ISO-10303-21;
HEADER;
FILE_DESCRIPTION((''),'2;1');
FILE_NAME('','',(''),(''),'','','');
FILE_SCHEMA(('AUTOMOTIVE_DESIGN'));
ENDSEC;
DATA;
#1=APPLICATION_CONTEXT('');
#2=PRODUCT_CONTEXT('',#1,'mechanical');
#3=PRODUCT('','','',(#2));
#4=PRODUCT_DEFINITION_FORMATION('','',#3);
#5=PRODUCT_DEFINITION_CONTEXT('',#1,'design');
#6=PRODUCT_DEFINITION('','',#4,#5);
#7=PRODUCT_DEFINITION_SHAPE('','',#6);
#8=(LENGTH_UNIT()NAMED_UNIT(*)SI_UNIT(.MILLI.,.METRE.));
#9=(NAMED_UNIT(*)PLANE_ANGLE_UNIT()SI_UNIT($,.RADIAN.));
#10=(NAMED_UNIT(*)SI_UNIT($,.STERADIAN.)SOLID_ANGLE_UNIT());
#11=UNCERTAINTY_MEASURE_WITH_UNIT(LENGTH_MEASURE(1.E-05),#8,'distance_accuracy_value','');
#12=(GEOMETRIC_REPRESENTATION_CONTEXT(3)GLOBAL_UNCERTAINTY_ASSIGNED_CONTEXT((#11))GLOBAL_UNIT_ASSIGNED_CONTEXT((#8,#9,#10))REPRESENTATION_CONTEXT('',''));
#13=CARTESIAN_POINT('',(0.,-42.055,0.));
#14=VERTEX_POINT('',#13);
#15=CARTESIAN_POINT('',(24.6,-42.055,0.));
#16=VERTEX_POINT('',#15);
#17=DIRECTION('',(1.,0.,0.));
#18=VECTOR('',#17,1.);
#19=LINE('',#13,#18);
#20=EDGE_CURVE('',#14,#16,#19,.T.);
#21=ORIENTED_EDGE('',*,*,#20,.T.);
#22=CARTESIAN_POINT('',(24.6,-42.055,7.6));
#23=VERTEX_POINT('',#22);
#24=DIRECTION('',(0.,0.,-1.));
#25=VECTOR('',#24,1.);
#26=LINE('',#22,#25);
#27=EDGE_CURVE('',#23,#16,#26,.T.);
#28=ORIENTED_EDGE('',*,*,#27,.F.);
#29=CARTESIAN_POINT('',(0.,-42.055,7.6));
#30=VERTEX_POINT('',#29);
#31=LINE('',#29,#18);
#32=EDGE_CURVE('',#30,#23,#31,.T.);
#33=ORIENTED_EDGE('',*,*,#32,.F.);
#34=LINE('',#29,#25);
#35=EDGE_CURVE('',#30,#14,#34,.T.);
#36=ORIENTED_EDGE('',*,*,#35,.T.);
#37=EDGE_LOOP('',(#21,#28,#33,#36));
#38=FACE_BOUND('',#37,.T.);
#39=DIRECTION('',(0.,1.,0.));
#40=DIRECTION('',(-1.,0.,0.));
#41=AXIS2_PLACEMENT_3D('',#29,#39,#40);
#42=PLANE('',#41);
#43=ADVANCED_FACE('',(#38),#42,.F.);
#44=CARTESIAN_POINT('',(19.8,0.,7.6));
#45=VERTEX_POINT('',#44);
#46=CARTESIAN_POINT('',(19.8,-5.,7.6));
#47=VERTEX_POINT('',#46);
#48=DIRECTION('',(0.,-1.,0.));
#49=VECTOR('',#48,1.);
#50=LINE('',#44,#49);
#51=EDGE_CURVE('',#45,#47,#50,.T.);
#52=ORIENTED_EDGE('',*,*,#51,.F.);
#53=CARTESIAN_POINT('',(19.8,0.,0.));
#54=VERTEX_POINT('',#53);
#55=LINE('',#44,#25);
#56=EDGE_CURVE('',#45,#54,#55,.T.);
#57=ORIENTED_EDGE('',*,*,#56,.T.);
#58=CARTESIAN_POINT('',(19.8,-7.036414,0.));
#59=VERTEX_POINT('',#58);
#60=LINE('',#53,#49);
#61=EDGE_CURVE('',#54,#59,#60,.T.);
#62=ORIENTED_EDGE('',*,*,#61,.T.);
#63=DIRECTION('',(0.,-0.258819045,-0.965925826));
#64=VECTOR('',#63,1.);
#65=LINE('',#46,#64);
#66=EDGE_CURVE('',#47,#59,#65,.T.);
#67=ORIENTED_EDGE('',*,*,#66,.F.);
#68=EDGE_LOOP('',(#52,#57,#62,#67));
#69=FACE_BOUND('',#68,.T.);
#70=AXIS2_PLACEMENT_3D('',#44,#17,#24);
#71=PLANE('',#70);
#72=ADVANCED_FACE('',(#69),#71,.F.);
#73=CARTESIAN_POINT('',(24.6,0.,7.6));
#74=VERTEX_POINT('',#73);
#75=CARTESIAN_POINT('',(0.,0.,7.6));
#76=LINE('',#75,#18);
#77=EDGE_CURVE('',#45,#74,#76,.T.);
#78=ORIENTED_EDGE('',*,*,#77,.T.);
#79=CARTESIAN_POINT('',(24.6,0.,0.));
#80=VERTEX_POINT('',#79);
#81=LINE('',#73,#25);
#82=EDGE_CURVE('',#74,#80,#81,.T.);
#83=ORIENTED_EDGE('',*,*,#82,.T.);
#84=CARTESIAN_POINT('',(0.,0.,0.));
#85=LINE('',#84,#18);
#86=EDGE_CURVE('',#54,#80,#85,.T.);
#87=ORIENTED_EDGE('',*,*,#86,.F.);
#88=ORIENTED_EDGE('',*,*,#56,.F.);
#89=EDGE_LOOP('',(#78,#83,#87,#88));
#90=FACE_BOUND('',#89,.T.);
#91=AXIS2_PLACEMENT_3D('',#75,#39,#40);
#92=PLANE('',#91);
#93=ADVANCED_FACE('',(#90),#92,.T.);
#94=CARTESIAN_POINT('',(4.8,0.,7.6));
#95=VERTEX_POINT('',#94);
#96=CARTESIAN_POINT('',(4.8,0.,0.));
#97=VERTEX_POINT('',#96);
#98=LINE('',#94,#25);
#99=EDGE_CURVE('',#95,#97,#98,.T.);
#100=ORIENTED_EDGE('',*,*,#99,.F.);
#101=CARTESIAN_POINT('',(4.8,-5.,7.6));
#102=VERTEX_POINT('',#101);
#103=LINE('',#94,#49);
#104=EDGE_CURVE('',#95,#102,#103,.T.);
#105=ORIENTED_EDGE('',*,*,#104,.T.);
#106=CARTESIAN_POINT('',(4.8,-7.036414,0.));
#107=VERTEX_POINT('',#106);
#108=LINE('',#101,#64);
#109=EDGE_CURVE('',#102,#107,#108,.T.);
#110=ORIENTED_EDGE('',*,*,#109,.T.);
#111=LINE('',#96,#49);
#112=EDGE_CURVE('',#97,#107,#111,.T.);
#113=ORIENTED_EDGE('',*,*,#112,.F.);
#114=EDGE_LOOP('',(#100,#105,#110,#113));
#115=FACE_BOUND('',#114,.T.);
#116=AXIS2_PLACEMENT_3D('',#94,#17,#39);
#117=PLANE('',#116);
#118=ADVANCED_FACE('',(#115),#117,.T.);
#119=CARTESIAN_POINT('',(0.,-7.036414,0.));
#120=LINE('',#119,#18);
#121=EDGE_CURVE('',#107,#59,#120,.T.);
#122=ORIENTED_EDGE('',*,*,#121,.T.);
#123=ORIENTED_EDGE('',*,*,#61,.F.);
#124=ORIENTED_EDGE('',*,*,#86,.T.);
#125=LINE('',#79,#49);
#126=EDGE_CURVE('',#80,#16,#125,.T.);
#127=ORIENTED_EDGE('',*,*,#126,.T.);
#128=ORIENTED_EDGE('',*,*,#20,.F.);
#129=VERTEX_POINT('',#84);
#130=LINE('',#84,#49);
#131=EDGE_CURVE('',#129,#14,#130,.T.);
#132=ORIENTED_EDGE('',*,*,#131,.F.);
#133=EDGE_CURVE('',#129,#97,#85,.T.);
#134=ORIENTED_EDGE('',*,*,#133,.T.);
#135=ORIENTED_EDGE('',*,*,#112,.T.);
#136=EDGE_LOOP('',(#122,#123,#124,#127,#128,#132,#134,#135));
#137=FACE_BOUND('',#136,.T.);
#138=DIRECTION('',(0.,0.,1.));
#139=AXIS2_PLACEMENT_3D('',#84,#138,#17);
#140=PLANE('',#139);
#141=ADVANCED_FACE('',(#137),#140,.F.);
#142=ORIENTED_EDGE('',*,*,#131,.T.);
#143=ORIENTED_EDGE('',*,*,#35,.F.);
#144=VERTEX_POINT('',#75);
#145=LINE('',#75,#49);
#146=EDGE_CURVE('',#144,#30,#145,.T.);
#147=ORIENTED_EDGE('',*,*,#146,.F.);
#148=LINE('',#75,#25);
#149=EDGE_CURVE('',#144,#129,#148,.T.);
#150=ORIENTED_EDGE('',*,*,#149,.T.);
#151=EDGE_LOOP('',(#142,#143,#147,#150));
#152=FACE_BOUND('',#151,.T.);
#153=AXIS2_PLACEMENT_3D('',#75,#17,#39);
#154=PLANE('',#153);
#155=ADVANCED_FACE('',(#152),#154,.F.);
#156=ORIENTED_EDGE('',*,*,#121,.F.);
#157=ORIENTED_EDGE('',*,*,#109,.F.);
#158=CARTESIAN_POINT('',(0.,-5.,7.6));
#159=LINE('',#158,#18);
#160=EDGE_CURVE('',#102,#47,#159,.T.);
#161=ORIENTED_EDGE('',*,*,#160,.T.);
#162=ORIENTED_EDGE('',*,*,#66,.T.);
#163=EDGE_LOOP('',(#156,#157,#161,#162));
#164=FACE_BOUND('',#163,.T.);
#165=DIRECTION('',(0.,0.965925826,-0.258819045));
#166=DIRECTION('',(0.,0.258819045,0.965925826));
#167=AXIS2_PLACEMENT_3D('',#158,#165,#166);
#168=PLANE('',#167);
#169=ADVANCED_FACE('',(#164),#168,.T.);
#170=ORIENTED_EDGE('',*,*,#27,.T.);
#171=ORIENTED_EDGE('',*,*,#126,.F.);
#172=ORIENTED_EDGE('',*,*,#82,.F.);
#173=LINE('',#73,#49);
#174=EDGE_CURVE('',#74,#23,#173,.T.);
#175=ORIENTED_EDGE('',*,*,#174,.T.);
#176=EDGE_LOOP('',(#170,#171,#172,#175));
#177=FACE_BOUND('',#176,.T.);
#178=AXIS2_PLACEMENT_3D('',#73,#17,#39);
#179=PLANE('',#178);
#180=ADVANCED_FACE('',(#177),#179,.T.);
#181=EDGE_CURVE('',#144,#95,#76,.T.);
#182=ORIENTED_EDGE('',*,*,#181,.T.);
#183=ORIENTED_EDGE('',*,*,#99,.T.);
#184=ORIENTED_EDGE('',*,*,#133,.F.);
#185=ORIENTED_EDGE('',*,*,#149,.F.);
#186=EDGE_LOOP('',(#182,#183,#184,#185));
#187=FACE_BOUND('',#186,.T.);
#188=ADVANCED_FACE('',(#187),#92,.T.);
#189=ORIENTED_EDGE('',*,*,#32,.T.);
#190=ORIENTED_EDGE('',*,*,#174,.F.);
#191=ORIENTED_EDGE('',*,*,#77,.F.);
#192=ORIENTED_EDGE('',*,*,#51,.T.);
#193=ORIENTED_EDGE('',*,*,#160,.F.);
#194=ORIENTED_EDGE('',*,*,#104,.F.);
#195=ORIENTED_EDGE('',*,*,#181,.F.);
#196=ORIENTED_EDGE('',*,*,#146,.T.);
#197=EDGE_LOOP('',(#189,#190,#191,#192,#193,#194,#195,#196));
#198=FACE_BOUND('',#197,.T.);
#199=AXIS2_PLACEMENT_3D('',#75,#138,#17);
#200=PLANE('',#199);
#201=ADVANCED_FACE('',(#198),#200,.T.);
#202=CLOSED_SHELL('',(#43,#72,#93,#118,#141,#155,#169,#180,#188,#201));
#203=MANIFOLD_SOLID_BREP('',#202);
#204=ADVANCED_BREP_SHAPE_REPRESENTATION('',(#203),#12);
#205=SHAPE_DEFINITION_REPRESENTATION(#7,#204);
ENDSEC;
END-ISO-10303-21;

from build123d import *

# Parameters (mm, degrees)
EXTRUDE_1_DEPTH = 7.6
DRAFT_5_ANGLE   = -15


with BuildPart() as part:
    # 草图1 → 凸台-拉伸1 (new body)
    with BuildSketch(Plane.XY):
        Polygon((4.8, 0), (0, 0), (0, -42.055), (24.6, -42.055), (24.6, 0), (19.8, 0), (19.8, -5), (4.8, -5), align=None)
    extrude(amount=EXTRUDE_1_DEPTH)

    # 拔模5
    draft_5_faces = [part.faces().sort_by_distance(p)[0] for p in [
        (12.3, -5, 3.8),
    ]]
    draft(draft_5_faces, Plane.XY.offset(7.6), DRAFT_5_ANGLE)


solid = part.part
